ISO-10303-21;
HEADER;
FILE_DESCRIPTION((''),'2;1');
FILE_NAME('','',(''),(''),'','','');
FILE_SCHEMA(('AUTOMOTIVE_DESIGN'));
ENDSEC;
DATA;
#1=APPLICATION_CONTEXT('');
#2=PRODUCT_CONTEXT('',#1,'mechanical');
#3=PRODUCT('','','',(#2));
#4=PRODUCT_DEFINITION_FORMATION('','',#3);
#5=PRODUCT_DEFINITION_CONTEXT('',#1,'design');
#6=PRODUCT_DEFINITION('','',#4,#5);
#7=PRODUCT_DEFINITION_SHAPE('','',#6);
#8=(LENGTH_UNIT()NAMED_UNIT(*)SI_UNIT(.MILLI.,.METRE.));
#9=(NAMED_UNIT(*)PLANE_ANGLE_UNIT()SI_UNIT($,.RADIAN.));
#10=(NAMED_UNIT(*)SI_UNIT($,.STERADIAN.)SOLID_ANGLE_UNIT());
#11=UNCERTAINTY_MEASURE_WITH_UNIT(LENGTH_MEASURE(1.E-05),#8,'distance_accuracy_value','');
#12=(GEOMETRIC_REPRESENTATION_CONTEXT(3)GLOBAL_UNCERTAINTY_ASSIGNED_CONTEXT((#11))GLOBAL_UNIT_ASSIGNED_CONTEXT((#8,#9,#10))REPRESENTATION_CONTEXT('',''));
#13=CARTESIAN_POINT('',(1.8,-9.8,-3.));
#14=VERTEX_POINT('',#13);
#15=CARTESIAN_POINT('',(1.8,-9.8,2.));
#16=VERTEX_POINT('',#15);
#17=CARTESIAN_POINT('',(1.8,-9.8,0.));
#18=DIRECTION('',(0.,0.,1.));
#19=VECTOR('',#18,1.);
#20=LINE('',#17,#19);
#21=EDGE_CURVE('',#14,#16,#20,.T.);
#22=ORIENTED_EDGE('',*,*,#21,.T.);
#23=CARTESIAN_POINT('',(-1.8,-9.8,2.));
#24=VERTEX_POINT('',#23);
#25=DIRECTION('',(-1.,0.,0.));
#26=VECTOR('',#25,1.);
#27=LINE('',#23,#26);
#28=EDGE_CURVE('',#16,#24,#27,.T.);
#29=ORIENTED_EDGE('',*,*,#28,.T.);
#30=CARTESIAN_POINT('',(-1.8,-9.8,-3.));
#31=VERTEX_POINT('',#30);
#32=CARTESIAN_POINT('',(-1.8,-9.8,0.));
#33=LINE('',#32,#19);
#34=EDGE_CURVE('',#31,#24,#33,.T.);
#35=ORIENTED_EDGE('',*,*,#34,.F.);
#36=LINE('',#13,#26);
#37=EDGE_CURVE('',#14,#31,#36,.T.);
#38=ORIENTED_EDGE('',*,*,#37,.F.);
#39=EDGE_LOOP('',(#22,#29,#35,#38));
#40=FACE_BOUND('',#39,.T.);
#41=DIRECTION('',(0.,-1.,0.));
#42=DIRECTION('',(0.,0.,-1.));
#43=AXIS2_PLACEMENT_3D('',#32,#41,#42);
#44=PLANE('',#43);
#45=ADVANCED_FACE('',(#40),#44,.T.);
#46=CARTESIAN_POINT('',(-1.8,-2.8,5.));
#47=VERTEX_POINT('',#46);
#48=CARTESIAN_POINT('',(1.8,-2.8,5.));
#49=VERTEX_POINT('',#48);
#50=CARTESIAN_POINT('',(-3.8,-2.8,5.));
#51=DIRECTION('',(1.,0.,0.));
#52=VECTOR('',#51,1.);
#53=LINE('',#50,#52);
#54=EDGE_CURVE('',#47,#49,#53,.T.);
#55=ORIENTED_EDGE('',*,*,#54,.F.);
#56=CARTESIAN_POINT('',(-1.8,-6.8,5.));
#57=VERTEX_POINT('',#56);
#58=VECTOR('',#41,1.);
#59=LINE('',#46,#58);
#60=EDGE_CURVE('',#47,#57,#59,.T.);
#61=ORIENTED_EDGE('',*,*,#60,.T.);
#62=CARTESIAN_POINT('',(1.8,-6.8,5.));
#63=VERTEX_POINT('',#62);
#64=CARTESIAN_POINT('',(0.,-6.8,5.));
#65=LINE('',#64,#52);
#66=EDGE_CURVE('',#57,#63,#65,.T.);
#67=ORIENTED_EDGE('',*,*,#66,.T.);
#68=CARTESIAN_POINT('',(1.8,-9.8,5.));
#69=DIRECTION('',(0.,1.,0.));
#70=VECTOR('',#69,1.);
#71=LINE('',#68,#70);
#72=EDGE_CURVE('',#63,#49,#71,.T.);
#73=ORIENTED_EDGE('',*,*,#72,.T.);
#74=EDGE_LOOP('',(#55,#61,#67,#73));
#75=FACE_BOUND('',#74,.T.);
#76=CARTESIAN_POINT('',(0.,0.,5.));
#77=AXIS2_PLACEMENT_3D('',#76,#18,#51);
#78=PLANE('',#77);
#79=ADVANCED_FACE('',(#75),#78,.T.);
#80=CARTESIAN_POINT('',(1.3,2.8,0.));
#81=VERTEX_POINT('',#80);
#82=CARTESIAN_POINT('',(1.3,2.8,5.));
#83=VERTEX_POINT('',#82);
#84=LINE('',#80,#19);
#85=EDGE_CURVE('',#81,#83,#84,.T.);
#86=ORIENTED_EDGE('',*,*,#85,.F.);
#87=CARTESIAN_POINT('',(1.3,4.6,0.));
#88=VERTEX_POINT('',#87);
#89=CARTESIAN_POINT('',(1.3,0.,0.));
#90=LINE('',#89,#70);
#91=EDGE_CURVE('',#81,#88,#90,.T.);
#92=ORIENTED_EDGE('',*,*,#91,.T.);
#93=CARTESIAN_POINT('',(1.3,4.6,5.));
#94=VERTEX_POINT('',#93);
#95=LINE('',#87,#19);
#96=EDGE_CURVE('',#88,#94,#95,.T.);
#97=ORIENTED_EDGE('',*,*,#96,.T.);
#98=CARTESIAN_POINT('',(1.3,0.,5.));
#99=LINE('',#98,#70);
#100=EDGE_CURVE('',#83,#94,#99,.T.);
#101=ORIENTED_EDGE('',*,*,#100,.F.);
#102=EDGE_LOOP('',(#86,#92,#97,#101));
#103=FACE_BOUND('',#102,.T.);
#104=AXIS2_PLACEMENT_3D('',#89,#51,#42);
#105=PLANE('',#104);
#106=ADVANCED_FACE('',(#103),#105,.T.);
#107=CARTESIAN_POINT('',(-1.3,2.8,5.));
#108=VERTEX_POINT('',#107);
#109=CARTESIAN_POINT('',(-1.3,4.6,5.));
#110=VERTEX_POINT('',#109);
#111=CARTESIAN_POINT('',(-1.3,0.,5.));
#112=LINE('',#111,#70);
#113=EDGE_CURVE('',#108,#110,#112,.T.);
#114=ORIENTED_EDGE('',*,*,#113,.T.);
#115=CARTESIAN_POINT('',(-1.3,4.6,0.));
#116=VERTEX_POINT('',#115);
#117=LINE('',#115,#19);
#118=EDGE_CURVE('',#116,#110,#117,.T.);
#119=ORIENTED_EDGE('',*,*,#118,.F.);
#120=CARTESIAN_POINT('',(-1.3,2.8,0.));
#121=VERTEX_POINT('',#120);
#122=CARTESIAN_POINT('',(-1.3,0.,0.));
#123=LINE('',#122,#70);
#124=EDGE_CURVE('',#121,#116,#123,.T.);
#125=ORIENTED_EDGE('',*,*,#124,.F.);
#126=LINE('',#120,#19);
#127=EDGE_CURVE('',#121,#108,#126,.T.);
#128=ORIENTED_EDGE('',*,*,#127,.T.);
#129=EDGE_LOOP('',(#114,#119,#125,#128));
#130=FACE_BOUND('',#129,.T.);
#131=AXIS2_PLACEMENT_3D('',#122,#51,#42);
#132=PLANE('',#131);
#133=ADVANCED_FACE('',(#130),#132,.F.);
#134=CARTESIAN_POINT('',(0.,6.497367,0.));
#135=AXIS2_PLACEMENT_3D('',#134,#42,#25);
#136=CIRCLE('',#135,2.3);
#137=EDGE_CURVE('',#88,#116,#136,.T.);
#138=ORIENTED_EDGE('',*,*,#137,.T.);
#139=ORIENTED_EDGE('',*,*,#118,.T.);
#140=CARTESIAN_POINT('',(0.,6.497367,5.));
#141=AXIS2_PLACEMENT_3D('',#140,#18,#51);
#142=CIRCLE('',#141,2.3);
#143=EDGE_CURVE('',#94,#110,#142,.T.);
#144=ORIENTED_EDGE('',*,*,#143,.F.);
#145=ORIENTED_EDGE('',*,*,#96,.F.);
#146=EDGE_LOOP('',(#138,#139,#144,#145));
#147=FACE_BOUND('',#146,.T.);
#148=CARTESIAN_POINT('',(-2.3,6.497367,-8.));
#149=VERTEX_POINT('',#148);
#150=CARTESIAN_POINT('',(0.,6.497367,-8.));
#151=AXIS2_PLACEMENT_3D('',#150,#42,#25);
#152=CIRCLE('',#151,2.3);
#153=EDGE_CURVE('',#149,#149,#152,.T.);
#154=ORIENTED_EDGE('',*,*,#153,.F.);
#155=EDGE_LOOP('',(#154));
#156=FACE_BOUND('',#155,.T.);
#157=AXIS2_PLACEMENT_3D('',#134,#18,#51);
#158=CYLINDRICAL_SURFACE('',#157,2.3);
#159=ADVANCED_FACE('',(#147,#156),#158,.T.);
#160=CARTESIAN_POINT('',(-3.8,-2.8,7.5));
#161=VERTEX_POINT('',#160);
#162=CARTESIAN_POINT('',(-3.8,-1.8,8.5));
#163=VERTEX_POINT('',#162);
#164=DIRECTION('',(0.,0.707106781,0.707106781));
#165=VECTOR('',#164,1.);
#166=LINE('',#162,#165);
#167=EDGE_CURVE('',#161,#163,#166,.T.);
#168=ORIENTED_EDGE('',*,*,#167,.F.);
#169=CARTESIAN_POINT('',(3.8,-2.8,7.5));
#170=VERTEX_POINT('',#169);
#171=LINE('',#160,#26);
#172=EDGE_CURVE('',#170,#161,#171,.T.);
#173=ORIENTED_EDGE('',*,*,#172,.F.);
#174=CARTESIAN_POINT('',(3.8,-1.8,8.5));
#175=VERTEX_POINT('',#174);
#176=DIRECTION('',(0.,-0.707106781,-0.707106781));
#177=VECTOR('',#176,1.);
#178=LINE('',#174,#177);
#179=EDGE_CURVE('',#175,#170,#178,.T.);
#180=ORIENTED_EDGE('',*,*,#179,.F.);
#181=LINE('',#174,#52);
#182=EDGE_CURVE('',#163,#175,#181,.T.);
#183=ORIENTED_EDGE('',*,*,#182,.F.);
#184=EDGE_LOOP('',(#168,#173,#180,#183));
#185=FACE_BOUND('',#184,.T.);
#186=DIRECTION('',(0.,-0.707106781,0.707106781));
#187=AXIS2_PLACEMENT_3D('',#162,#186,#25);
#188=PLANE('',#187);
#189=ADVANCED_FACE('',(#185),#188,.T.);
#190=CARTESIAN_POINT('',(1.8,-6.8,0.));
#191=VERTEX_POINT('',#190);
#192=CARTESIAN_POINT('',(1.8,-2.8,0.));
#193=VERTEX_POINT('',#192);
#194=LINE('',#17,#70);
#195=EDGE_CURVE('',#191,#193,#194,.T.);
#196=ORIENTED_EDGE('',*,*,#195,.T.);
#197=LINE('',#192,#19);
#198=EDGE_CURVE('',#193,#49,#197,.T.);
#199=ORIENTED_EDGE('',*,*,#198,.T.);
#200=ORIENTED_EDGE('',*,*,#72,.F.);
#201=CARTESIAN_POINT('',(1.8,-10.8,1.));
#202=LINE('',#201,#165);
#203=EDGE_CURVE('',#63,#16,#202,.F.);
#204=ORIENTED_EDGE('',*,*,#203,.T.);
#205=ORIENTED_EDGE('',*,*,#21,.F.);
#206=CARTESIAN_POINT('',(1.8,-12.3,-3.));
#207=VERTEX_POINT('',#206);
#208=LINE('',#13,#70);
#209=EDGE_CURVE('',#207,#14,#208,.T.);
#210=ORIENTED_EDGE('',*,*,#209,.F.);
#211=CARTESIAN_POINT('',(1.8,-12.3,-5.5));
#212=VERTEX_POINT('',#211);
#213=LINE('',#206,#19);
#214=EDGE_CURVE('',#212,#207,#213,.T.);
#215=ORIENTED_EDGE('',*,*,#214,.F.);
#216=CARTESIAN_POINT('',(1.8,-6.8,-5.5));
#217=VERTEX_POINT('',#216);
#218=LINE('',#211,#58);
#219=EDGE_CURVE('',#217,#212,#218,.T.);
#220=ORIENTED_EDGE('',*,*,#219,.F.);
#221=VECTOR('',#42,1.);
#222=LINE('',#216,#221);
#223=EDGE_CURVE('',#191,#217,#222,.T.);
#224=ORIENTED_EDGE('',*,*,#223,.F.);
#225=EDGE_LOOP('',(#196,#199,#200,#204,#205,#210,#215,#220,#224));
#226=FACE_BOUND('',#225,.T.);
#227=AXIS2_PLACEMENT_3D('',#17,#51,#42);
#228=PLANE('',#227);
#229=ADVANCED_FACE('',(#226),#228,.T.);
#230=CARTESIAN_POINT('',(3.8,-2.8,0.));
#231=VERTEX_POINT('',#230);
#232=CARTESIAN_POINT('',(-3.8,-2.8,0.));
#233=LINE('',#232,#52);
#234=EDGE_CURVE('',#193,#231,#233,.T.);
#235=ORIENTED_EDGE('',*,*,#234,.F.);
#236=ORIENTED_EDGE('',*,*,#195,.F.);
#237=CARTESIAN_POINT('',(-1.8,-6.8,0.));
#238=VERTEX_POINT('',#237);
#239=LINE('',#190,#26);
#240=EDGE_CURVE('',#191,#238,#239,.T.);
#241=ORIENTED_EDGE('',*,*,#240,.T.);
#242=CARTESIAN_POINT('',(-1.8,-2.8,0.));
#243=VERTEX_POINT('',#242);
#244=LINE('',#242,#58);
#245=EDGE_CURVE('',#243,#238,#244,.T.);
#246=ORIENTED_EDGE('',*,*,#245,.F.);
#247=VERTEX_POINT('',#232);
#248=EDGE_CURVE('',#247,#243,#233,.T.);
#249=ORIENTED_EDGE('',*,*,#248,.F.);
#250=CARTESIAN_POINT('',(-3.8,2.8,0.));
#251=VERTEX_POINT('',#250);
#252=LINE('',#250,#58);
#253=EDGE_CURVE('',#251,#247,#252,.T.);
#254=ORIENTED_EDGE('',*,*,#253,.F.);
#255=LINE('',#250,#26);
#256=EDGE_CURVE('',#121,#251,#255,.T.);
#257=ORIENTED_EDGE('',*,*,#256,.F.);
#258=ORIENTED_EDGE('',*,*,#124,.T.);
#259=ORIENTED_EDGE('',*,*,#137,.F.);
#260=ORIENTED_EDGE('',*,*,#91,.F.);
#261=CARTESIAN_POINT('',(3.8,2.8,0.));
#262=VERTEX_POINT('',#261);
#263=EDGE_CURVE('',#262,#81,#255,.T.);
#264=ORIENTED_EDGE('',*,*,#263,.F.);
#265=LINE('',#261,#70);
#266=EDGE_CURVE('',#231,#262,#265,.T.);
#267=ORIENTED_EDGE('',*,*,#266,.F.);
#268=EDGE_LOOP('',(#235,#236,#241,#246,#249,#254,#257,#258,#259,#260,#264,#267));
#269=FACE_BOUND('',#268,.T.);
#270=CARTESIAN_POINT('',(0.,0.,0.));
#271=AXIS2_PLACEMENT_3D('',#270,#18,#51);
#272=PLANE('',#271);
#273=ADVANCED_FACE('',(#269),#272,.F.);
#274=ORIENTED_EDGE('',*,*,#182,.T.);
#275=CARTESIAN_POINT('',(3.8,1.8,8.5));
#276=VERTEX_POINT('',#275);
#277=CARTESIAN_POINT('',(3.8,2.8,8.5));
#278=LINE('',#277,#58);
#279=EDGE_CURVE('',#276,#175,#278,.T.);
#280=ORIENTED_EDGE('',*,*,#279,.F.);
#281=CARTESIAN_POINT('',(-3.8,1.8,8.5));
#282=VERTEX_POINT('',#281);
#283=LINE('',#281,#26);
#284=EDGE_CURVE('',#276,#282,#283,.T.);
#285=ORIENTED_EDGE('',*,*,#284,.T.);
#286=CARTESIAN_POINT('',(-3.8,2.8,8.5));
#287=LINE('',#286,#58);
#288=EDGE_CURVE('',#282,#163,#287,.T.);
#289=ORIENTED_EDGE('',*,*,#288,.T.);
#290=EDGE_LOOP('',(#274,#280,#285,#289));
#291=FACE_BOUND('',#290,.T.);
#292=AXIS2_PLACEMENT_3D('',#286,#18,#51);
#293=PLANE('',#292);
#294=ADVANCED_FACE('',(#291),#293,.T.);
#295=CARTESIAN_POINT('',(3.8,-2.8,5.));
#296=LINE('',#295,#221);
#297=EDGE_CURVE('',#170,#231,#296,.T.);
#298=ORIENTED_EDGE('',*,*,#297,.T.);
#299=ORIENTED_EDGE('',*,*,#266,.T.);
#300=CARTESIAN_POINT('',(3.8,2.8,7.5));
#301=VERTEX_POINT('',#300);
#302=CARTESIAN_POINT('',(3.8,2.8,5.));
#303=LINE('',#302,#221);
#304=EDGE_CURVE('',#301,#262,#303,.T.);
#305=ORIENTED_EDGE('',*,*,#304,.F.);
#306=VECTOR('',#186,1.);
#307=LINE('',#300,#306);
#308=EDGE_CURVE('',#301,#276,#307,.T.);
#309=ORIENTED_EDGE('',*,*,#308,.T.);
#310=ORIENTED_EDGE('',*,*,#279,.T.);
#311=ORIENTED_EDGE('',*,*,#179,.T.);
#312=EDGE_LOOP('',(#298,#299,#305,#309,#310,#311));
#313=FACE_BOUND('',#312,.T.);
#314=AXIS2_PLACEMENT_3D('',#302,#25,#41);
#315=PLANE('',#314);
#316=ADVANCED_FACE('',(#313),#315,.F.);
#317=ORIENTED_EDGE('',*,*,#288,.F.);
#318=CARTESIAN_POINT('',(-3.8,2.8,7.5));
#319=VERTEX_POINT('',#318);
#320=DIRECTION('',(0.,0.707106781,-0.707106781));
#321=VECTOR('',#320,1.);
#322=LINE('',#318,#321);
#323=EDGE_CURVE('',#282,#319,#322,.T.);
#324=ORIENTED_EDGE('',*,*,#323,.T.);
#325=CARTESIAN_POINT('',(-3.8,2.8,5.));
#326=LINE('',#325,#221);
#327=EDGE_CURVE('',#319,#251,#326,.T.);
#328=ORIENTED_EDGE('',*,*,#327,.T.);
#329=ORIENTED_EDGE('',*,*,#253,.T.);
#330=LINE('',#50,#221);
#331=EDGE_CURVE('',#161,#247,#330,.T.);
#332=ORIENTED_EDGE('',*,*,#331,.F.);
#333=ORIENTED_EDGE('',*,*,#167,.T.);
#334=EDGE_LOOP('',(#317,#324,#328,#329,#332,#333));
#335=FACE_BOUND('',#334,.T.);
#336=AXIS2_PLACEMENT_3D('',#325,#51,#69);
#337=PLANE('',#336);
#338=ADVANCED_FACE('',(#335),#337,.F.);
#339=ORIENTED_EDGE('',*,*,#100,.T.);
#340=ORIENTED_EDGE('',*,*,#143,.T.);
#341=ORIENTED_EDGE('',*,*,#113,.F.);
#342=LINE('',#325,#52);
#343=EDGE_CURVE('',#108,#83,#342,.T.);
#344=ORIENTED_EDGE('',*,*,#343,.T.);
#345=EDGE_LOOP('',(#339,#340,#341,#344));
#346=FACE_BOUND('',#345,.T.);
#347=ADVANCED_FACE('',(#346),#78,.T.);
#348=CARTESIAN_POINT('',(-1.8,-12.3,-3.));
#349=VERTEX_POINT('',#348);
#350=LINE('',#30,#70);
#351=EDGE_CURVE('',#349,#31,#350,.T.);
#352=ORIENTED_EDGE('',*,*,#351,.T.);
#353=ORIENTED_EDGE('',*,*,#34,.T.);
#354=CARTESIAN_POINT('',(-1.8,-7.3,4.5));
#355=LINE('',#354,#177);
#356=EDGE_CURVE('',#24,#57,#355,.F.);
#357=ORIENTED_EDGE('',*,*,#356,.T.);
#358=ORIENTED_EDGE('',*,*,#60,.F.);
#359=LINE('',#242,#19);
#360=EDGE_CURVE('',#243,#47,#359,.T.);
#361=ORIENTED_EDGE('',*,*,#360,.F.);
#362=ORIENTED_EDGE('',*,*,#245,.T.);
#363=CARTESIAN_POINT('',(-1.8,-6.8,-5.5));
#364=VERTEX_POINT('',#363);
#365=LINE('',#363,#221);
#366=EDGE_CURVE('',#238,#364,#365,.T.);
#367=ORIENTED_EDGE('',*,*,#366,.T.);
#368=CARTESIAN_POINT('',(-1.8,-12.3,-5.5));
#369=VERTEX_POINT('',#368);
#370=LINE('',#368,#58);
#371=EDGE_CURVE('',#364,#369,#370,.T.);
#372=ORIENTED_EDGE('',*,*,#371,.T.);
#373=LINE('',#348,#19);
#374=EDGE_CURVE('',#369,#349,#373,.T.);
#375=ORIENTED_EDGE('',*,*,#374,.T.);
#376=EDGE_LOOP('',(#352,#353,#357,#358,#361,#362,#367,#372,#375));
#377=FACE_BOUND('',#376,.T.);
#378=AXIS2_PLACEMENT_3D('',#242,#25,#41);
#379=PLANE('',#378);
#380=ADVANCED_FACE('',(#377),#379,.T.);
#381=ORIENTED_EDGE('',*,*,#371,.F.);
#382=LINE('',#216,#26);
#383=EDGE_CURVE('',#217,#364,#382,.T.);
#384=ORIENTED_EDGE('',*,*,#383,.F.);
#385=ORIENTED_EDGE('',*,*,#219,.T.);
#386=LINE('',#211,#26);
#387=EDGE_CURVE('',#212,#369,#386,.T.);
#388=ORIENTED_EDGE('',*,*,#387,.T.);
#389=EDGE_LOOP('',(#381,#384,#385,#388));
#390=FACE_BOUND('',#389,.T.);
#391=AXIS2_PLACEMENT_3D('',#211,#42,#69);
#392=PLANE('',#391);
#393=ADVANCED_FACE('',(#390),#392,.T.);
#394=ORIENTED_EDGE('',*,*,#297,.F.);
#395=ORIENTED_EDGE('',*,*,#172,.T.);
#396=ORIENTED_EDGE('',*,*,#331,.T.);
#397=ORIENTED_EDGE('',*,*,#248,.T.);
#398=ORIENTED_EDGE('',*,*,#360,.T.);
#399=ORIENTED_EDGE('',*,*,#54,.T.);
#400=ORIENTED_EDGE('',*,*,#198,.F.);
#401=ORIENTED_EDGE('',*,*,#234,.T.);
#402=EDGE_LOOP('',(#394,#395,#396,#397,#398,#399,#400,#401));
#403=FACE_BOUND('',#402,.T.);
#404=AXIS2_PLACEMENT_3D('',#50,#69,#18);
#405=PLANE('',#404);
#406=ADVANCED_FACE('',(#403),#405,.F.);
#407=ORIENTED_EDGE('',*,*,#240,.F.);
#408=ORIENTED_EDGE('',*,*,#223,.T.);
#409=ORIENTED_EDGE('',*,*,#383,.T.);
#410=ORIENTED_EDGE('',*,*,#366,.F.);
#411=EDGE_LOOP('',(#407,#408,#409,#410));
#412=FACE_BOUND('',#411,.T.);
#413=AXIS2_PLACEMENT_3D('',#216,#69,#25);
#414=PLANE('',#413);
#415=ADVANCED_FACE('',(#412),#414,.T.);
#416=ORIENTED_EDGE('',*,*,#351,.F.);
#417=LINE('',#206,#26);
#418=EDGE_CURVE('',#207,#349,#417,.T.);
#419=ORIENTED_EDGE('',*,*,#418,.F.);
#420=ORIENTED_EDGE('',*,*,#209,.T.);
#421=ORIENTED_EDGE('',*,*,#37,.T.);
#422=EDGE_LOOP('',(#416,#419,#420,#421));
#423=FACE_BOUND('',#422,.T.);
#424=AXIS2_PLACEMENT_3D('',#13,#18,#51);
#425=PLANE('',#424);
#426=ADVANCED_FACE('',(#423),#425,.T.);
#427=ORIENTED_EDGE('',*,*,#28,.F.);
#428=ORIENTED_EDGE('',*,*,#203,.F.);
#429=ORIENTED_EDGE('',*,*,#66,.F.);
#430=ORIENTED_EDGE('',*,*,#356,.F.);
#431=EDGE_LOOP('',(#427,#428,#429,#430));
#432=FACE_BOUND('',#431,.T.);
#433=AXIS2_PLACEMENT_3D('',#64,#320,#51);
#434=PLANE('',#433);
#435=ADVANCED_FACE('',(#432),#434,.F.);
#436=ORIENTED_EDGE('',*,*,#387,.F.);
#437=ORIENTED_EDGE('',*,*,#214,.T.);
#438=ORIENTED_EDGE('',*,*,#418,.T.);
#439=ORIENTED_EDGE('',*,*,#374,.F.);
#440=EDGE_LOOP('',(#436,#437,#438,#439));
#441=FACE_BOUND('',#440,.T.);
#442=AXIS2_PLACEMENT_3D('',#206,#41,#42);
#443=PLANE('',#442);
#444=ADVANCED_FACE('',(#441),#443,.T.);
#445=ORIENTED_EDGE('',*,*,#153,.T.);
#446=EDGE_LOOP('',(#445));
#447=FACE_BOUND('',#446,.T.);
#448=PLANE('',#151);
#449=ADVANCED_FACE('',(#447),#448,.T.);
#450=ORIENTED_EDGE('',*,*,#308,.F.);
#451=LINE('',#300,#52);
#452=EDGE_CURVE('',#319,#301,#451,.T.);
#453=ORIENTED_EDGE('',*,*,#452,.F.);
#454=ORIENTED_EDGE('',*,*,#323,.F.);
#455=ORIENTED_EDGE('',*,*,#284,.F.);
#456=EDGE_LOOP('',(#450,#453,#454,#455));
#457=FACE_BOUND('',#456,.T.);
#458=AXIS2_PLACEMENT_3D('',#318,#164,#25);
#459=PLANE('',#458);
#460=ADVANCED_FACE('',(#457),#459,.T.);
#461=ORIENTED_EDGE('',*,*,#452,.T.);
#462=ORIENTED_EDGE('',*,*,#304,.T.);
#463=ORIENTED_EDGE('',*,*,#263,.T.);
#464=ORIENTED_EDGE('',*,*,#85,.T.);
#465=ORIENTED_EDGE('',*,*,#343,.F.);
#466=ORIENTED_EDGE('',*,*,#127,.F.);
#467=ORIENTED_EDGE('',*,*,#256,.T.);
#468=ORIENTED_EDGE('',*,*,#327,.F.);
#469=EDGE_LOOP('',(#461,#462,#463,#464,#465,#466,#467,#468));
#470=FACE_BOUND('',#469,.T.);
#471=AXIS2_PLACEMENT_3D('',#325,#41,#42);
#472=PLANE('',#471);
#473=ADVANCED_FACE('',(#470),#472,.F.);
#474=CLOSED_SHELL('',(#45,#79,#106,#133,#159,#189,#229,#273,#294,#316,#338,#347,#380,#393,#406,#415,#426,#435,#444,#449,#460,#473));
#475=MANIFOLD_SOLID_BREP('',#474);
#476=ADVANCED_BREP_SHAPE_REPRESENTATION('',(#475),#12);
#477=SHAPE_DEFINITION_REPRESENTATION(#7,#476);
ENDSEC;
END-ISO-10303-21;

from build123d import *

# Parameters (mm, degrees)
SZKIC1_W                    = 7.6
SZKIC1_H                    = 5.6
DODANIE_WYCI_GNI_CIE1_DEPTH = 5
SZKIC2_R                    = 2.3
SZKIC2_W                    = 2.6
SZKIC2_H                    = 1.8
DODANIE_WYCI_GNI_CIE2_DEPTH = 5
SZKIC3_W                    = 3.6
SZKIC3_H                    = 7
DODANIE_WYCI_GNI_CIE3_DEPTH = 5
SZKIC4_R                    = 2.3
DODANIE_WYCI_GNI_CIE4_DEPTH = 8
SFAZOWANIE1_SIZE            = 3
SZKIC5_W                    = 3.5
SZKIC5_H                    = 5.6
DODANIE_WYCI_GNI_CIE5_DEPTH = 7.6
DODANIE_WYCI_GNI_CIE6_DEPTH = 3.6
SFAZOWANIE3_SIZE            = 1


with BuildPart() as part:
    # Szkic1 → Dodanie-wyciągnięcie1 (new body)
    with BuildSketch(Plane.XY):
        Rectangle(SZKIC1_W, SZKIC1_H)
    extrude(amount=DODANIE_WYCI_GNI_CIE1_DEPTH)

    # Szkic2 → Dodanie-wyciągnięcie2 (add)
    with BuildSketch(Plane.XY.offset(5)):
        with Locations((0, 6.497366596)):
            Circle(SZKIC2_R)
        with Locations((0, 3.7)):
            Rectangle(SZKIC2_W, SZKIC2_H)
    extrude(amount=-DODANIE_WYCI_GNI_CIE2_DEPTH)

    # Szkic3 → Dodanie-wyciągnięcie3 (add)
    with BuildSketch(Plane.XY.offset(5)):
        with Locations((0, -6.3)):
            Rectangle(SZKIC3_W, SZKIC3_H)
    extrude(amount=-DODANIE_WYCI_GNI_CIE3_DEPTH)

    # Szkic4 → Dodanie-wyciągnięcie4 (add)
    with BuildSketch(Plane(origin=(0, 0, 0), x_dir=(-1, 0, 0), z_dir=(0, 0, -1))):
        with Locations(Location((0, 6.497366596, 0), (0, 0, 235.58261129))):
            Circle(SZKIC4_R)
    extrude(amount=DODANIE_WYCI_GNI_CIE4_DEPTH)

    # Sfazowanie1
    sfazowanie1_edges = [part.edges().sort_by_distance(p)[0] for p in [
        (0, -9.8, 5),
    ]]
    chamfer(sfazowanie1_edges, length=SFAZOWANIE1_SIZE)

    # Szkic5 → Dodanie-wyciągnięcie5 (add)
    with BuildSketch(Plane(origin=(3.8, 0, 0), x_dir=(0, 0, -1), z_dir=(1, 0, 0))):
        with Locations((-6.75, 0)):
            Rectangle(SZKIC5_W, SZKIC5_H)
    extrude(amount=-DODANIE_WYCI_GNI_CIE5_DEPTH)

    # Szkic6 → Dodanie-wyciągnięcie6 (add)
    with BuildSketch(Plane.ZY.offset(1.8)):
        Polygon((0, -9.8), (-3, -9.8), (-3, -12.3), (-5.5, -12.3), (-5.5, -6.8), (0, -6.8), align=None)
    extrude(amount=-DODANIE_WYCI_GNI_CIE6_DEPTH)

    # Sfazowanie3
    sfazowanie3_edges = [part.edges().sort_by_distance(p)[0] for p in [
        (0, -2.8, 8.5),
        (0, 2.8, 8.5),
    ]]
    chamfer(sfazowanie3_edges, length=SFAZOWANIE3_SIZE)


solid = part.part
